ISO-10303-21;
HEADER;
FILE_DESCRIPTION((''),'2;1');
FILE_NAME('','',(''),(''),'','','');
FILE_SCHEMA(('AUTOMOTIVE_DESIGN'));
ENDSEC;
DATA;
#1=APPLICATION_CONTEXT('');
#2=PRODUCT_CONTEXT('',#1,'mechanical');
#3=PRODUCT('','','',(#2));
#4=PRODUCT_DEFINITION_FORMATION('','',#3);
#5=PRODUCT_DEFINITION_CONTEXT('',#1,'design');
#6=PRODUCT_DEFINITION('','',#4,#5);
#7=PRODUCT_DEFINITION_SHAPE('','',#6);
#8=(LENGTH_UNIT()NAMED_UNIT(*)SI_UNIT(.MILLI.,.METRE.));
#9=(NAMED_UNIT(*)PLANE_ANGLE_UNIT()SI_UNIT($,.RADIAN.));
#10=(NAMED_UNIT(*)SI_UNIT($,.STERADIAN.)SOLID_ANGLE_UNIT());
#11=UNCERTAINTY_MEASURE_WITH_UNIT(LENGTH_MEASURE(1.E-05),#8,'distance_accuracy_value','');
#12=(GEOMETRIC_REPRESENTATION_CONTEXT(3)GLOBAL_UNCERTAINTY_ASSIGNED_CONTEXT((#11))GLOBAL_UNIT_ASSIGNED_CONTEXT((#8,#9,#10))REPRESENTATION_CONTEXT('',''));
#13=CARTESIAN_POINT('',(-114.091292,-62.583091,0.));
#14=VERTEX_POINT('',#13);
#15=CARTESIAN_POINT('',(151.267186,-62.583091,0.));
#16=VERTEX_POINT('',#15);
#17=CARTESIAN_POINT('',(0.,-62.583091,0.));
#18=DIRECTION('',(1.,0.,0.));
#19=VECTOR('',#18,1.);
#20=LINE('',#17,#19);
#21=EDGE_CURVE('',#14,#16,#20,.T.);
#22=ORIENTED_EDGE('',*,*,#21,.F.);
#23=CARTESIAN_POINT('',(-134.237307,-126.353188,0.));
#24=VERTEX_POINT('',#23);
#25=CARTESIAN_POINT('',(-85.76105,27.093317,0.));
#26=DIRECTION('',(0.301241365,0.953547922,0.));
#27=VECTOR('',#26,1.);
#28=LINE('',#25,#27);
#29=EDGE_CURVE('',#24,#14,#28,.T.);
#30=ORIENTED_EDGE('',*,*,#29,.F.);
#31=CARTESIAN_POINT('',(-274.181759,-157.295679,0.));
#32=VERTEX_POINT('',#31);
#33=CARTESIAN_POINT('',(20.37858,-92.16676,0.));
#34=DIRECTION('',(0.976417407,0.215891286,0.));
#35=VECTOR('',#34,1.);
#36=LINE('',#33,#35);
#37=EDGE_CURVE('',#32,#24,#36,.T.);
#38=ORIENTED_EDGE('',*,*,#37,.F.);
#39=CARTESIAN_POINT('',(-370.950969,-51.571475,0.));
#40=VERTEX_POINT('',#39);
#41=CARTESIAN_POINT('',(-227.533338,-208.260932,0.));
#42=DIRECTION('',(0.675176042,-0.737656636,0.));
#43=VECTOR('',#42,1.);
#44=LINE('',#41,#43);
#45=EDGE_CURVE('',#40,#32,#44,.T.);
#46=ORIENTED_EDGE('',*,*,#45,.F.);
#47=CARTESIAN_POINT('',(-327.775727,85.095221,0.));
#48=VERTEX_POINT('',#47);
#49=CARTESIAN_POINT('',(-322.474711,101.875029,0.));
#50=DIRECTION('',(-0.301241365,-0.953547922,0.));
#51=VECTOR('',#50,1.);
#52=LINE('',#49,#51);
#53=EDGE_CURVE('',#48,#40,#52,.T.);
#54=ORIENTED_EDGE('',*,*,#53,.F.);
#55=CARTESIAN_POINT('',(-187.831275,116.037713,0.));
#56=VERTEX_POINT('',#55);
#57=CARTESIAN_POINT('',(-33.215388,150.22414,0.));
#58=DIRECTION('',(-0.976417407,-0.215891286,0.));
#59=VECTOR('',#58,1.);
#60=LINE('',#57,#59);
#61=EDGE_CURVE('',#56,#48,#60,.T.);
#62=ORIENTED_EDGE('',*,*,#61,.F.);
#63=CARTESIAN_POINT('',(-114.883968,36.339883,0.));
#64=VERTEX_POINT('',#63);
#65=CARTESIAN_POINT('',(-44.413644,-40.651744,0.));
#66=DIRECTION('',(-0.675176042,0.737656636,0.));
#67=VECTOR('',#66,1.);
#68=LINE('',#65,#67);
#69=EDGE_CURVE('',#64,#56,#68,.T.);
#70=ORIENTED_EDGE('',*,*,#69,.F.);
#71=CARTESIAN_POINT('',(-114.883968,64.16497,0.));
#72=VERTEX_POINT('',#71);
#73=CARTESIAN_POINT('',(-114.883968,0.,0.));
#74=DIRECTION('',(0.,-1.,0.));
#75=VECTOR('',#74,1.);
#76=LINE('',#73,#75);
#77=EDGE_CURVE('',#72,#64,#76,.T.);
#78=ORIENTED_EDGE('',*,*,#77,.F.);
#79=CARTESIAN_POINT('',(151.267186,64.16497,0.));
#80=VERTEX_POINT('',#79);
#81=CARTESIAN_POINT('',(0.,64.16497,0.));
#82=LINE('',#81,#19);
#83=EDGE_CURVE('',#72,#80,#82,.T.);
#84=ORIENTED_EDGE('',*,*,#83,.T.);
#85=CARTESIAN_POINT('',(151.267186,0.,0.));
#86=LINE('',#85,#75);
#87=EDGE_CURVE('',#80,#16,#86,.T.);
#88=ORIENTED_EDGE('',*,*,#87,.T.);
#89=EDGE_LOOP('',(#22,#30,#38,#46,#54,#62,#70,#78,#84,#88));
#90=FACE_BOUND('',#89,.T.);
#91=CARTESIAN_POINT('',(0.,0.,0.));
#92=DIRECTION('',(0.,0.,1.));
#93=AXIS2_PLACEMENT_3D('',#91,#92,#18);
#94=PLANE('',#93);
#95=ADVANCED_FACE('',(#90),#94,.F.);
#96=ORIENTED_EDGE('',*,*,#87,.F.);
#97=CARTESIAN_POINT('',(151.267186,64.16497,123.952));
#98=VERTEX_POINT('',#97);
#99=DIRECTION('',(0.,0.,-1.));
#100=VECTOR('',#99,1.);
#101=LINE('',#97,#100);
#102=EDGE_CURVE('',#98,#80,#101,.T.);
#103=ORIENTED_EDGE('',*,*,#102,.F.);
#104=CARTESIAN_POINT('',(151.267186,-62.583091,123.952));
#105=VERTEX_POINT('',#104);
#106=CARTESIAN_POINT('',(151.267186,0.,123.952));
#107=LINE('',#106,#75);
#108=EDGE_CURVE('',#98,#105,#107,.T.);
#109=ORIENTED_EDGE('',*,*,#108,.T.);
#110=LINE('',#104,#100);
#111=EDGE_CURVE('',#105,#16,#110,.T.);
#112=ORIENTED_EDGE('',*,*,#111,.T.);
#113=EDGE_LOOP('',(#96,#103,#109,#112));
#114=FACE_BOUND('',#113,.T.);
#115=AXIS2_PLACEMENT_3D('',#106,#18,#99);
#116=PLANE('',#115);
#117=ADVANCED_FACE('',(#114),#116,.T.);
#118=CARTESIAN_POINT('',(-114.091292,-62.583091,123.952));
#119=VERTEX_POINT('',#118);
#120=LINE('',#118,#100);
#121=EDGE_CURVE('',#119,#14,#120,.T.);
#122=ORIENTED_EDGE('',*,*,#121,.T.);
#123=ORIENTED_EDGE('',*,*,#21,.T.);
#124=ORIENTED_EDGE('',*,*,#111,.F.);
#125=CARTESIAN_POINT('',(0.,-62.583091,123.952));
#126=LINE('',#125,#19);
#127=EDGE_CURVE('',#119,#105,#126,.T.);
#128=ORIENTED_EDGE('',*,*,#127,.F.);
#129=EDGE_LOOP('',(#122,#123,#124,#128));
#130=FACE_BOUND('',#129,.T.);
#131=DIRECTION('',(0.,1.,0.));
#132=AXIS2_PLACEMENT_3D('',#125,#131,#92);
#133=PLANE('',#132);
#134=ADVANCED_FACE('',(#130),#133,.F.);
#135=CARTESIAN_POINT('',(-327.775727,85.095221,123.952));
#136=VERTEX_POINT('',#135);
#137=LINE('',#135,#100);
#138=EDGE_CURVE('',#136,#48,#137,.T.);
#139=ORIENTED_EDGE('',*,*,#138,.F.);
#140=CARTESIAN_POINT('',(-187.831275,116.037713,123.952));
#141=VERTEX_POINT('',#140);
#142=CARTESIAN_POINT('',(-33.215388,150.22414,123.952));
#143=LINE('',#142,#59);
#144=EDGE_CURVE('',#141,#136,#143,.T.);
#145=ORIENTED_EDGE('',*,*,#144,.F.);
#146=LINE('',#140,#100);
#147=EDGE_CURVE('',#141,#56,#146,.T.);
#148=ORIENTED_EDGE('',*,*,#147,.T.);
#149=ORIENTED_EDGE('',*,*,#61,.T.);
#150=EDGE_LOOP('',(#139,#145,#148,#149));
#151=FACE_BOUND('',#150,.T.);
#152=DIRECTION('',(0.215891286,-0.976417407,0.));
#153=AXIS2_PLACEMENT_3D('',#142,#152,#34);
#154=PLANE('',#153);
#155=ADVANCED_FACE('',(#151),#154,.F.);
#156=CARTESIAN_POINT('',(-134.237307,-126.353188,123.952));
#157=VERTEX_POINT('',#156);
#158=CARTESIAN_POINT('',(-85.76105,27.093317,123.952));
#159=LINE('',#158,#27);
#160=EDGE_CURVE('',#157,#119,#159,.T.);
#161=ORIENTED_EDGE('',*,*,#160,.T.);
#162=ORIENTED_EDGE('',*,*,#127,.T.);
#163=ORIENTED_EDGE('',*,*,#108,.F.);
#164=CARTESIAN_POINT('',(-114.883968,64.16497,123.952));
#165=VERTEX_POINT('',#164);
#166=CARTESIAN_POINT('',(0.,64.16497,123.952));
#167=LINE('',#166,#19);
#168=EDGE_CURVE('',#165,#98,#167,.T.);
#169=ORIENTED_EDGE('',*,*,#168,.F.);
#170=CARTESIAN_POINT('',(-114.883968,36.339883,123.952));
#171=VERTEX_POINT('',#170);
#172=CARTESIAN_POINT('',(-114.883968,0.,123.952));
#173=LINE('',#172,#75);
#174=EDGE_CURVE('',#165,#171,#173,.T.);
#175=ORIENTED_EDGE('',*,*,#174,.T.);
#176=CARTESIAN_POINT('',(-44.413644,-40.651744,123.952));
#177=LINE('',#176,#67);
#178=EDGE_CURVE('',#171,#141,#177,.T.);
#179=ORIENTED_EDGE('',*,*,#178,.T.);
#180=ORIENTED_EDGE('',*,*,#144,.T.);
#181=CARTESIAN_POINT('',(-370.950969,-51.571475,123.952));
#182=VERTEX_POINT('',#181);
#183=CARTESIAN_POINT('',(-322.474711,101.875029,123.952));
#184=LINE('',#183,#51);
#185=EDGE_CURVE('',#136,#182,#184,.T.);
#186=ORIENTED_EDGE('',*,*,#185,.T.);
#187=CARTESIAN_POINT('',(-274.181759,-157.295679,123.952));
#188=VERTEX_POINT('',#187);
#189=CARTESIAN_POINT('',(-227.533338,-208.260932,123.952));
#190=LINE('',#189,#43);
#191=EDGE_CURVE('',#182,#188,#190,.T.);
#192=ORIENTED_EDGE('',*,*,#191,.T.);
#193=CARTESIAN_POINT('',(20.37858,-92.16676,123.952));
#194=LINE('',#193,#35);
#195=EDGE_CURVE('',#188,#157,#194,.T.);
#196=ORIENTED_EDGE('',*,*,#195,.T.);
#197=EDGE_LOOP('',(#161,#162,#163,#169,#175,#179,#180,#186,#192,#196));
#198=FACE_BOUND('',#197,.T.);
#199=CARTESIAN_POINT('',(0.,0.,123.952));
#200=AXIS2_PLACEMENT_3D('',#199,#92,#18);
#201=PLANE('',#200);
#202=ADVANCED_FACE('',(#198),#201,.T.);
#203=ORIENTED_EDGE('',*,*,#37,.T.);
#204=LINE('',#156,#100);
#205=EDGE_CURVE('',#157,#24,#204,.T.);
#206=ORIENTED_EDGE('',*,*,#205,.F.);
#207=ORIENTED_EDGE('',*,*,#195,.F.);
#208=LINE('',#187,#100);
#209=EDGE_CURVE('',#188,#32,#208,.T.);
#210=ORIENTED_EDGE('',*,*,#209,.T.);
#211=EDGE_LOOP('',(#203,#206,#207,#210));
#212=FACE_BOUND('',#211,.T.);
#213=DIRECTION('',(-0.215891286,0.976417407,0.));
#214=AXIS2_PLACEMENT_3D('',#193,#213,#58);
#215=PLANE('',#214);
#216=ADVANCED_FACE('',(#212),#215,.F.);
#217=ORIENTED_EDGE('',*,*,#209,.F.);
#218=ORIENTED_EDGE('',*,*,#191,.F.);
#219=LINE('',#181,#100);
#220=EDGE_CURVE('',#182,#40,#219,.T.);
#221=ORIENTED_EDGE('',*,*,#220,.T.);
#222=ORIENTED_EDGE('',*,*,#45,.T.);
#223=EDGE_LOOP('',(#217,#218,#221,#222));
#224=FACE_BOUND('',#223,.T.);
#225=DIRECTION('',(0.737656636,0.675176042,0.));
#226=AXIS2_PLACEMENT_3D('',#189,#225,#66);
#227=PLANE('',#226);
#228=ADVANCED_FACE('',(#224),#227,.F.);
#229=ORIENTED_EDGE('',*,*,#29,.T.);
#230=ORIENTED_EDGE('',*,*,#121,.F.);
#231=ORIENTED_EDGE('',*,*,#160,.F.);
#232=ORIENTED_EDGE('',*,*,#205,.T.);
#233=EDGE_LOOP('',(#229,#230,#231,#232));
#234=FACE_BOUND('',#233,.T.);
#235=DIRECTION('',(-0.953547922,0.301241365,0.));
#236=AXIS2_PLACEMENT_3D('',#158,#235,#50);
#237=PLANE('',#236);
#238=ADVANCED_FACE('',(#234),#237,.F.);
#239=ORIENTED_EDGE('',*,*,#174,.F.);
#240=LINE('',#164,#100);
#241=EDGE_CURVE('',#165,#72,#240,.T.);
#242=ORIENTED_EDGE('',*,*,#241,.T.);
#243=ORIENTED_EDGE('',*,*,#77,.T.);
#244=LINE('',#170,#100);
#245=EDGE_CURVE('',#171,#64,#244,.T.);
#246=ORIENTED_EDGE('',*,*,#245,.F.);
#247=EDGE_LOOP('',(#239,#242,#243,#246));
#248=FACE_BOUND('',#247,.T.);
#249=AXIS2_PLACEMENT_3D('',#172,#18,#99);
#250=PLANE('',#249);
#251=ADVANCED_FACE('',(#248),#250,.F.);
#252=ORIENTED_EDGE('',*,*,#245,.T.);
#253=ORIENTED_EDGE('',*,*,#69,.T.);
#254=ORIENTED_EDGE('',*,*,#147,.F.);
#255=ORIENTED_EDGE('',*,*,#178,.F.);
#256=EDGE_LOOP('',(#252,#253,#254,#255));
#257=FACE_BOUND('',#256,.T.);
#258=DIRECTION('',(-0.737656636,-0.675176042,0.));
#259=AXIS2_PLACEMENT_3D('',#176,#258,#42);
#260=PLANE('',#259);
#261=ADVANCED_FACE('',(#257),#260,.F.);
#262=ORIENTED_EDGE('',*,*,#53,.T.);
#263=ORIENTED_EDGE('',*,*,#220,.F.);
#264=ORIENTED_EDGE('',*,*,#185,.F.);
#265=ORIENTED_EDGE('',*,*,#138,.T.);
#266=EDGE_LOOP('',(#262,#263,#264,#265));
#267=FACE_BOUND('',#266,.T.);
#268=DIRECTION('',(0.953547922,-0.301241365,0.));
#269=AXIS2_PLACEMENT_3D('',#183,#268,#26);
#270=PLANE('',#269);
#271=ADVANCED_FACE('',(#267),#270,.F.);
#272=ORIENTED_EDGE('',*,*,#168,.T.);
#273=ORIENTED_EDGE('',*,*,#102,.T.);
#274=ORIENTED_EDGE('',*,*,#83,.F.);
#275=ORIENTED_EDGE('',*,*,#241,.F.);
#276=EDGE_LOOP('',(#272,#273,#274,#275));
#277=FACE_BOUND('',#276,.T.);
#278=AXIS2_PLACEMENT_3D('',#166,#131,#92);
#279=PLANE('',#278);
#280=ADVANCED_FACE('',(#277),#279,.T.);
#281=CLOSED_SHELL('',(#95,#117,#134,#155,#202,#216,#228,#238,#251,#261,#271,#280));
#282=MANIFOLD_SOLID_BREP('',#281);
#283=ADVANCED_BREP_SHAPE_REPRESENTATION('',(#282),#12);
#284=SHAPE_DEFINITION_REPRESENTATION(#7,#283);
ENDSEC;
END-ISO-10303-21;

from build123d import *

# Parameters (mm, degrees)
BOSS_EXTRUDE1_DEPTH = 123.952


with BuildPart() as part:
    # Sketch1 → Boss-Extrude1 (new body)
    with BuildSketch(Plane.XY):
        with BuildLine():
            ThreePointArc((-150.141788754, -129.869756414), (-205.816359245, -15.653721009), (-181.433254288, 109.047621148))
            Line((-181.433254288, 109.047621148), (-187.831275189, 116.037713042))
            Line((-187.831275189, 116.037713042), (-327.77572694, 85.095221198))
            Line((-327.77572694, 85.095221198), (-370.950968822, -51.57147506))
            Line((-370.950968822, -51.57147506), (-274.181758953, -157.295679473))
            Line((-274.181758953, -157.295679473), (-150.141788754, -129.869756414))
        make_face()
        Polygon((151.2671863, 64.164969875), (-114.883967634, 64.164969875), (-114.883967634, 36.339882858), (-91.062065319, 10.313508629), (-114.09129189, -62.583090802), (151.2671863, -62.583090802), align=None)
        Polygon((-91.062065319, 10.313508629), (-114.883967634, 36.339882858), (-114.883967634, -62.583090802), (-114.09129189, -62.583090802), align=None)
        with BuildLine():
            Line((-114.883967634, -62.583090802), (-114.883967634, 36.339882858))
            Line((-114.883967634, 36.339882858), (-181.433254288, 109.047621148))
            ThreePointArc((-181.433254288, 109.047621148), (-205.816359245, -15.653721009), (-150.141788754, -129.869756414))
            Line((-150.141788754, -129.869756414), (-134.237307201, -126.353187629))
            Line((-134.237307201, -126.353187629), (-114.09129189, -62.583090802))
            Line((-114.09129189, -62.583090802), (-114.883967634, -62.583090802))
        make_face()
    extrude(amount=BOSS_EXTRUDE1_DEPTH)


solid = part.part
